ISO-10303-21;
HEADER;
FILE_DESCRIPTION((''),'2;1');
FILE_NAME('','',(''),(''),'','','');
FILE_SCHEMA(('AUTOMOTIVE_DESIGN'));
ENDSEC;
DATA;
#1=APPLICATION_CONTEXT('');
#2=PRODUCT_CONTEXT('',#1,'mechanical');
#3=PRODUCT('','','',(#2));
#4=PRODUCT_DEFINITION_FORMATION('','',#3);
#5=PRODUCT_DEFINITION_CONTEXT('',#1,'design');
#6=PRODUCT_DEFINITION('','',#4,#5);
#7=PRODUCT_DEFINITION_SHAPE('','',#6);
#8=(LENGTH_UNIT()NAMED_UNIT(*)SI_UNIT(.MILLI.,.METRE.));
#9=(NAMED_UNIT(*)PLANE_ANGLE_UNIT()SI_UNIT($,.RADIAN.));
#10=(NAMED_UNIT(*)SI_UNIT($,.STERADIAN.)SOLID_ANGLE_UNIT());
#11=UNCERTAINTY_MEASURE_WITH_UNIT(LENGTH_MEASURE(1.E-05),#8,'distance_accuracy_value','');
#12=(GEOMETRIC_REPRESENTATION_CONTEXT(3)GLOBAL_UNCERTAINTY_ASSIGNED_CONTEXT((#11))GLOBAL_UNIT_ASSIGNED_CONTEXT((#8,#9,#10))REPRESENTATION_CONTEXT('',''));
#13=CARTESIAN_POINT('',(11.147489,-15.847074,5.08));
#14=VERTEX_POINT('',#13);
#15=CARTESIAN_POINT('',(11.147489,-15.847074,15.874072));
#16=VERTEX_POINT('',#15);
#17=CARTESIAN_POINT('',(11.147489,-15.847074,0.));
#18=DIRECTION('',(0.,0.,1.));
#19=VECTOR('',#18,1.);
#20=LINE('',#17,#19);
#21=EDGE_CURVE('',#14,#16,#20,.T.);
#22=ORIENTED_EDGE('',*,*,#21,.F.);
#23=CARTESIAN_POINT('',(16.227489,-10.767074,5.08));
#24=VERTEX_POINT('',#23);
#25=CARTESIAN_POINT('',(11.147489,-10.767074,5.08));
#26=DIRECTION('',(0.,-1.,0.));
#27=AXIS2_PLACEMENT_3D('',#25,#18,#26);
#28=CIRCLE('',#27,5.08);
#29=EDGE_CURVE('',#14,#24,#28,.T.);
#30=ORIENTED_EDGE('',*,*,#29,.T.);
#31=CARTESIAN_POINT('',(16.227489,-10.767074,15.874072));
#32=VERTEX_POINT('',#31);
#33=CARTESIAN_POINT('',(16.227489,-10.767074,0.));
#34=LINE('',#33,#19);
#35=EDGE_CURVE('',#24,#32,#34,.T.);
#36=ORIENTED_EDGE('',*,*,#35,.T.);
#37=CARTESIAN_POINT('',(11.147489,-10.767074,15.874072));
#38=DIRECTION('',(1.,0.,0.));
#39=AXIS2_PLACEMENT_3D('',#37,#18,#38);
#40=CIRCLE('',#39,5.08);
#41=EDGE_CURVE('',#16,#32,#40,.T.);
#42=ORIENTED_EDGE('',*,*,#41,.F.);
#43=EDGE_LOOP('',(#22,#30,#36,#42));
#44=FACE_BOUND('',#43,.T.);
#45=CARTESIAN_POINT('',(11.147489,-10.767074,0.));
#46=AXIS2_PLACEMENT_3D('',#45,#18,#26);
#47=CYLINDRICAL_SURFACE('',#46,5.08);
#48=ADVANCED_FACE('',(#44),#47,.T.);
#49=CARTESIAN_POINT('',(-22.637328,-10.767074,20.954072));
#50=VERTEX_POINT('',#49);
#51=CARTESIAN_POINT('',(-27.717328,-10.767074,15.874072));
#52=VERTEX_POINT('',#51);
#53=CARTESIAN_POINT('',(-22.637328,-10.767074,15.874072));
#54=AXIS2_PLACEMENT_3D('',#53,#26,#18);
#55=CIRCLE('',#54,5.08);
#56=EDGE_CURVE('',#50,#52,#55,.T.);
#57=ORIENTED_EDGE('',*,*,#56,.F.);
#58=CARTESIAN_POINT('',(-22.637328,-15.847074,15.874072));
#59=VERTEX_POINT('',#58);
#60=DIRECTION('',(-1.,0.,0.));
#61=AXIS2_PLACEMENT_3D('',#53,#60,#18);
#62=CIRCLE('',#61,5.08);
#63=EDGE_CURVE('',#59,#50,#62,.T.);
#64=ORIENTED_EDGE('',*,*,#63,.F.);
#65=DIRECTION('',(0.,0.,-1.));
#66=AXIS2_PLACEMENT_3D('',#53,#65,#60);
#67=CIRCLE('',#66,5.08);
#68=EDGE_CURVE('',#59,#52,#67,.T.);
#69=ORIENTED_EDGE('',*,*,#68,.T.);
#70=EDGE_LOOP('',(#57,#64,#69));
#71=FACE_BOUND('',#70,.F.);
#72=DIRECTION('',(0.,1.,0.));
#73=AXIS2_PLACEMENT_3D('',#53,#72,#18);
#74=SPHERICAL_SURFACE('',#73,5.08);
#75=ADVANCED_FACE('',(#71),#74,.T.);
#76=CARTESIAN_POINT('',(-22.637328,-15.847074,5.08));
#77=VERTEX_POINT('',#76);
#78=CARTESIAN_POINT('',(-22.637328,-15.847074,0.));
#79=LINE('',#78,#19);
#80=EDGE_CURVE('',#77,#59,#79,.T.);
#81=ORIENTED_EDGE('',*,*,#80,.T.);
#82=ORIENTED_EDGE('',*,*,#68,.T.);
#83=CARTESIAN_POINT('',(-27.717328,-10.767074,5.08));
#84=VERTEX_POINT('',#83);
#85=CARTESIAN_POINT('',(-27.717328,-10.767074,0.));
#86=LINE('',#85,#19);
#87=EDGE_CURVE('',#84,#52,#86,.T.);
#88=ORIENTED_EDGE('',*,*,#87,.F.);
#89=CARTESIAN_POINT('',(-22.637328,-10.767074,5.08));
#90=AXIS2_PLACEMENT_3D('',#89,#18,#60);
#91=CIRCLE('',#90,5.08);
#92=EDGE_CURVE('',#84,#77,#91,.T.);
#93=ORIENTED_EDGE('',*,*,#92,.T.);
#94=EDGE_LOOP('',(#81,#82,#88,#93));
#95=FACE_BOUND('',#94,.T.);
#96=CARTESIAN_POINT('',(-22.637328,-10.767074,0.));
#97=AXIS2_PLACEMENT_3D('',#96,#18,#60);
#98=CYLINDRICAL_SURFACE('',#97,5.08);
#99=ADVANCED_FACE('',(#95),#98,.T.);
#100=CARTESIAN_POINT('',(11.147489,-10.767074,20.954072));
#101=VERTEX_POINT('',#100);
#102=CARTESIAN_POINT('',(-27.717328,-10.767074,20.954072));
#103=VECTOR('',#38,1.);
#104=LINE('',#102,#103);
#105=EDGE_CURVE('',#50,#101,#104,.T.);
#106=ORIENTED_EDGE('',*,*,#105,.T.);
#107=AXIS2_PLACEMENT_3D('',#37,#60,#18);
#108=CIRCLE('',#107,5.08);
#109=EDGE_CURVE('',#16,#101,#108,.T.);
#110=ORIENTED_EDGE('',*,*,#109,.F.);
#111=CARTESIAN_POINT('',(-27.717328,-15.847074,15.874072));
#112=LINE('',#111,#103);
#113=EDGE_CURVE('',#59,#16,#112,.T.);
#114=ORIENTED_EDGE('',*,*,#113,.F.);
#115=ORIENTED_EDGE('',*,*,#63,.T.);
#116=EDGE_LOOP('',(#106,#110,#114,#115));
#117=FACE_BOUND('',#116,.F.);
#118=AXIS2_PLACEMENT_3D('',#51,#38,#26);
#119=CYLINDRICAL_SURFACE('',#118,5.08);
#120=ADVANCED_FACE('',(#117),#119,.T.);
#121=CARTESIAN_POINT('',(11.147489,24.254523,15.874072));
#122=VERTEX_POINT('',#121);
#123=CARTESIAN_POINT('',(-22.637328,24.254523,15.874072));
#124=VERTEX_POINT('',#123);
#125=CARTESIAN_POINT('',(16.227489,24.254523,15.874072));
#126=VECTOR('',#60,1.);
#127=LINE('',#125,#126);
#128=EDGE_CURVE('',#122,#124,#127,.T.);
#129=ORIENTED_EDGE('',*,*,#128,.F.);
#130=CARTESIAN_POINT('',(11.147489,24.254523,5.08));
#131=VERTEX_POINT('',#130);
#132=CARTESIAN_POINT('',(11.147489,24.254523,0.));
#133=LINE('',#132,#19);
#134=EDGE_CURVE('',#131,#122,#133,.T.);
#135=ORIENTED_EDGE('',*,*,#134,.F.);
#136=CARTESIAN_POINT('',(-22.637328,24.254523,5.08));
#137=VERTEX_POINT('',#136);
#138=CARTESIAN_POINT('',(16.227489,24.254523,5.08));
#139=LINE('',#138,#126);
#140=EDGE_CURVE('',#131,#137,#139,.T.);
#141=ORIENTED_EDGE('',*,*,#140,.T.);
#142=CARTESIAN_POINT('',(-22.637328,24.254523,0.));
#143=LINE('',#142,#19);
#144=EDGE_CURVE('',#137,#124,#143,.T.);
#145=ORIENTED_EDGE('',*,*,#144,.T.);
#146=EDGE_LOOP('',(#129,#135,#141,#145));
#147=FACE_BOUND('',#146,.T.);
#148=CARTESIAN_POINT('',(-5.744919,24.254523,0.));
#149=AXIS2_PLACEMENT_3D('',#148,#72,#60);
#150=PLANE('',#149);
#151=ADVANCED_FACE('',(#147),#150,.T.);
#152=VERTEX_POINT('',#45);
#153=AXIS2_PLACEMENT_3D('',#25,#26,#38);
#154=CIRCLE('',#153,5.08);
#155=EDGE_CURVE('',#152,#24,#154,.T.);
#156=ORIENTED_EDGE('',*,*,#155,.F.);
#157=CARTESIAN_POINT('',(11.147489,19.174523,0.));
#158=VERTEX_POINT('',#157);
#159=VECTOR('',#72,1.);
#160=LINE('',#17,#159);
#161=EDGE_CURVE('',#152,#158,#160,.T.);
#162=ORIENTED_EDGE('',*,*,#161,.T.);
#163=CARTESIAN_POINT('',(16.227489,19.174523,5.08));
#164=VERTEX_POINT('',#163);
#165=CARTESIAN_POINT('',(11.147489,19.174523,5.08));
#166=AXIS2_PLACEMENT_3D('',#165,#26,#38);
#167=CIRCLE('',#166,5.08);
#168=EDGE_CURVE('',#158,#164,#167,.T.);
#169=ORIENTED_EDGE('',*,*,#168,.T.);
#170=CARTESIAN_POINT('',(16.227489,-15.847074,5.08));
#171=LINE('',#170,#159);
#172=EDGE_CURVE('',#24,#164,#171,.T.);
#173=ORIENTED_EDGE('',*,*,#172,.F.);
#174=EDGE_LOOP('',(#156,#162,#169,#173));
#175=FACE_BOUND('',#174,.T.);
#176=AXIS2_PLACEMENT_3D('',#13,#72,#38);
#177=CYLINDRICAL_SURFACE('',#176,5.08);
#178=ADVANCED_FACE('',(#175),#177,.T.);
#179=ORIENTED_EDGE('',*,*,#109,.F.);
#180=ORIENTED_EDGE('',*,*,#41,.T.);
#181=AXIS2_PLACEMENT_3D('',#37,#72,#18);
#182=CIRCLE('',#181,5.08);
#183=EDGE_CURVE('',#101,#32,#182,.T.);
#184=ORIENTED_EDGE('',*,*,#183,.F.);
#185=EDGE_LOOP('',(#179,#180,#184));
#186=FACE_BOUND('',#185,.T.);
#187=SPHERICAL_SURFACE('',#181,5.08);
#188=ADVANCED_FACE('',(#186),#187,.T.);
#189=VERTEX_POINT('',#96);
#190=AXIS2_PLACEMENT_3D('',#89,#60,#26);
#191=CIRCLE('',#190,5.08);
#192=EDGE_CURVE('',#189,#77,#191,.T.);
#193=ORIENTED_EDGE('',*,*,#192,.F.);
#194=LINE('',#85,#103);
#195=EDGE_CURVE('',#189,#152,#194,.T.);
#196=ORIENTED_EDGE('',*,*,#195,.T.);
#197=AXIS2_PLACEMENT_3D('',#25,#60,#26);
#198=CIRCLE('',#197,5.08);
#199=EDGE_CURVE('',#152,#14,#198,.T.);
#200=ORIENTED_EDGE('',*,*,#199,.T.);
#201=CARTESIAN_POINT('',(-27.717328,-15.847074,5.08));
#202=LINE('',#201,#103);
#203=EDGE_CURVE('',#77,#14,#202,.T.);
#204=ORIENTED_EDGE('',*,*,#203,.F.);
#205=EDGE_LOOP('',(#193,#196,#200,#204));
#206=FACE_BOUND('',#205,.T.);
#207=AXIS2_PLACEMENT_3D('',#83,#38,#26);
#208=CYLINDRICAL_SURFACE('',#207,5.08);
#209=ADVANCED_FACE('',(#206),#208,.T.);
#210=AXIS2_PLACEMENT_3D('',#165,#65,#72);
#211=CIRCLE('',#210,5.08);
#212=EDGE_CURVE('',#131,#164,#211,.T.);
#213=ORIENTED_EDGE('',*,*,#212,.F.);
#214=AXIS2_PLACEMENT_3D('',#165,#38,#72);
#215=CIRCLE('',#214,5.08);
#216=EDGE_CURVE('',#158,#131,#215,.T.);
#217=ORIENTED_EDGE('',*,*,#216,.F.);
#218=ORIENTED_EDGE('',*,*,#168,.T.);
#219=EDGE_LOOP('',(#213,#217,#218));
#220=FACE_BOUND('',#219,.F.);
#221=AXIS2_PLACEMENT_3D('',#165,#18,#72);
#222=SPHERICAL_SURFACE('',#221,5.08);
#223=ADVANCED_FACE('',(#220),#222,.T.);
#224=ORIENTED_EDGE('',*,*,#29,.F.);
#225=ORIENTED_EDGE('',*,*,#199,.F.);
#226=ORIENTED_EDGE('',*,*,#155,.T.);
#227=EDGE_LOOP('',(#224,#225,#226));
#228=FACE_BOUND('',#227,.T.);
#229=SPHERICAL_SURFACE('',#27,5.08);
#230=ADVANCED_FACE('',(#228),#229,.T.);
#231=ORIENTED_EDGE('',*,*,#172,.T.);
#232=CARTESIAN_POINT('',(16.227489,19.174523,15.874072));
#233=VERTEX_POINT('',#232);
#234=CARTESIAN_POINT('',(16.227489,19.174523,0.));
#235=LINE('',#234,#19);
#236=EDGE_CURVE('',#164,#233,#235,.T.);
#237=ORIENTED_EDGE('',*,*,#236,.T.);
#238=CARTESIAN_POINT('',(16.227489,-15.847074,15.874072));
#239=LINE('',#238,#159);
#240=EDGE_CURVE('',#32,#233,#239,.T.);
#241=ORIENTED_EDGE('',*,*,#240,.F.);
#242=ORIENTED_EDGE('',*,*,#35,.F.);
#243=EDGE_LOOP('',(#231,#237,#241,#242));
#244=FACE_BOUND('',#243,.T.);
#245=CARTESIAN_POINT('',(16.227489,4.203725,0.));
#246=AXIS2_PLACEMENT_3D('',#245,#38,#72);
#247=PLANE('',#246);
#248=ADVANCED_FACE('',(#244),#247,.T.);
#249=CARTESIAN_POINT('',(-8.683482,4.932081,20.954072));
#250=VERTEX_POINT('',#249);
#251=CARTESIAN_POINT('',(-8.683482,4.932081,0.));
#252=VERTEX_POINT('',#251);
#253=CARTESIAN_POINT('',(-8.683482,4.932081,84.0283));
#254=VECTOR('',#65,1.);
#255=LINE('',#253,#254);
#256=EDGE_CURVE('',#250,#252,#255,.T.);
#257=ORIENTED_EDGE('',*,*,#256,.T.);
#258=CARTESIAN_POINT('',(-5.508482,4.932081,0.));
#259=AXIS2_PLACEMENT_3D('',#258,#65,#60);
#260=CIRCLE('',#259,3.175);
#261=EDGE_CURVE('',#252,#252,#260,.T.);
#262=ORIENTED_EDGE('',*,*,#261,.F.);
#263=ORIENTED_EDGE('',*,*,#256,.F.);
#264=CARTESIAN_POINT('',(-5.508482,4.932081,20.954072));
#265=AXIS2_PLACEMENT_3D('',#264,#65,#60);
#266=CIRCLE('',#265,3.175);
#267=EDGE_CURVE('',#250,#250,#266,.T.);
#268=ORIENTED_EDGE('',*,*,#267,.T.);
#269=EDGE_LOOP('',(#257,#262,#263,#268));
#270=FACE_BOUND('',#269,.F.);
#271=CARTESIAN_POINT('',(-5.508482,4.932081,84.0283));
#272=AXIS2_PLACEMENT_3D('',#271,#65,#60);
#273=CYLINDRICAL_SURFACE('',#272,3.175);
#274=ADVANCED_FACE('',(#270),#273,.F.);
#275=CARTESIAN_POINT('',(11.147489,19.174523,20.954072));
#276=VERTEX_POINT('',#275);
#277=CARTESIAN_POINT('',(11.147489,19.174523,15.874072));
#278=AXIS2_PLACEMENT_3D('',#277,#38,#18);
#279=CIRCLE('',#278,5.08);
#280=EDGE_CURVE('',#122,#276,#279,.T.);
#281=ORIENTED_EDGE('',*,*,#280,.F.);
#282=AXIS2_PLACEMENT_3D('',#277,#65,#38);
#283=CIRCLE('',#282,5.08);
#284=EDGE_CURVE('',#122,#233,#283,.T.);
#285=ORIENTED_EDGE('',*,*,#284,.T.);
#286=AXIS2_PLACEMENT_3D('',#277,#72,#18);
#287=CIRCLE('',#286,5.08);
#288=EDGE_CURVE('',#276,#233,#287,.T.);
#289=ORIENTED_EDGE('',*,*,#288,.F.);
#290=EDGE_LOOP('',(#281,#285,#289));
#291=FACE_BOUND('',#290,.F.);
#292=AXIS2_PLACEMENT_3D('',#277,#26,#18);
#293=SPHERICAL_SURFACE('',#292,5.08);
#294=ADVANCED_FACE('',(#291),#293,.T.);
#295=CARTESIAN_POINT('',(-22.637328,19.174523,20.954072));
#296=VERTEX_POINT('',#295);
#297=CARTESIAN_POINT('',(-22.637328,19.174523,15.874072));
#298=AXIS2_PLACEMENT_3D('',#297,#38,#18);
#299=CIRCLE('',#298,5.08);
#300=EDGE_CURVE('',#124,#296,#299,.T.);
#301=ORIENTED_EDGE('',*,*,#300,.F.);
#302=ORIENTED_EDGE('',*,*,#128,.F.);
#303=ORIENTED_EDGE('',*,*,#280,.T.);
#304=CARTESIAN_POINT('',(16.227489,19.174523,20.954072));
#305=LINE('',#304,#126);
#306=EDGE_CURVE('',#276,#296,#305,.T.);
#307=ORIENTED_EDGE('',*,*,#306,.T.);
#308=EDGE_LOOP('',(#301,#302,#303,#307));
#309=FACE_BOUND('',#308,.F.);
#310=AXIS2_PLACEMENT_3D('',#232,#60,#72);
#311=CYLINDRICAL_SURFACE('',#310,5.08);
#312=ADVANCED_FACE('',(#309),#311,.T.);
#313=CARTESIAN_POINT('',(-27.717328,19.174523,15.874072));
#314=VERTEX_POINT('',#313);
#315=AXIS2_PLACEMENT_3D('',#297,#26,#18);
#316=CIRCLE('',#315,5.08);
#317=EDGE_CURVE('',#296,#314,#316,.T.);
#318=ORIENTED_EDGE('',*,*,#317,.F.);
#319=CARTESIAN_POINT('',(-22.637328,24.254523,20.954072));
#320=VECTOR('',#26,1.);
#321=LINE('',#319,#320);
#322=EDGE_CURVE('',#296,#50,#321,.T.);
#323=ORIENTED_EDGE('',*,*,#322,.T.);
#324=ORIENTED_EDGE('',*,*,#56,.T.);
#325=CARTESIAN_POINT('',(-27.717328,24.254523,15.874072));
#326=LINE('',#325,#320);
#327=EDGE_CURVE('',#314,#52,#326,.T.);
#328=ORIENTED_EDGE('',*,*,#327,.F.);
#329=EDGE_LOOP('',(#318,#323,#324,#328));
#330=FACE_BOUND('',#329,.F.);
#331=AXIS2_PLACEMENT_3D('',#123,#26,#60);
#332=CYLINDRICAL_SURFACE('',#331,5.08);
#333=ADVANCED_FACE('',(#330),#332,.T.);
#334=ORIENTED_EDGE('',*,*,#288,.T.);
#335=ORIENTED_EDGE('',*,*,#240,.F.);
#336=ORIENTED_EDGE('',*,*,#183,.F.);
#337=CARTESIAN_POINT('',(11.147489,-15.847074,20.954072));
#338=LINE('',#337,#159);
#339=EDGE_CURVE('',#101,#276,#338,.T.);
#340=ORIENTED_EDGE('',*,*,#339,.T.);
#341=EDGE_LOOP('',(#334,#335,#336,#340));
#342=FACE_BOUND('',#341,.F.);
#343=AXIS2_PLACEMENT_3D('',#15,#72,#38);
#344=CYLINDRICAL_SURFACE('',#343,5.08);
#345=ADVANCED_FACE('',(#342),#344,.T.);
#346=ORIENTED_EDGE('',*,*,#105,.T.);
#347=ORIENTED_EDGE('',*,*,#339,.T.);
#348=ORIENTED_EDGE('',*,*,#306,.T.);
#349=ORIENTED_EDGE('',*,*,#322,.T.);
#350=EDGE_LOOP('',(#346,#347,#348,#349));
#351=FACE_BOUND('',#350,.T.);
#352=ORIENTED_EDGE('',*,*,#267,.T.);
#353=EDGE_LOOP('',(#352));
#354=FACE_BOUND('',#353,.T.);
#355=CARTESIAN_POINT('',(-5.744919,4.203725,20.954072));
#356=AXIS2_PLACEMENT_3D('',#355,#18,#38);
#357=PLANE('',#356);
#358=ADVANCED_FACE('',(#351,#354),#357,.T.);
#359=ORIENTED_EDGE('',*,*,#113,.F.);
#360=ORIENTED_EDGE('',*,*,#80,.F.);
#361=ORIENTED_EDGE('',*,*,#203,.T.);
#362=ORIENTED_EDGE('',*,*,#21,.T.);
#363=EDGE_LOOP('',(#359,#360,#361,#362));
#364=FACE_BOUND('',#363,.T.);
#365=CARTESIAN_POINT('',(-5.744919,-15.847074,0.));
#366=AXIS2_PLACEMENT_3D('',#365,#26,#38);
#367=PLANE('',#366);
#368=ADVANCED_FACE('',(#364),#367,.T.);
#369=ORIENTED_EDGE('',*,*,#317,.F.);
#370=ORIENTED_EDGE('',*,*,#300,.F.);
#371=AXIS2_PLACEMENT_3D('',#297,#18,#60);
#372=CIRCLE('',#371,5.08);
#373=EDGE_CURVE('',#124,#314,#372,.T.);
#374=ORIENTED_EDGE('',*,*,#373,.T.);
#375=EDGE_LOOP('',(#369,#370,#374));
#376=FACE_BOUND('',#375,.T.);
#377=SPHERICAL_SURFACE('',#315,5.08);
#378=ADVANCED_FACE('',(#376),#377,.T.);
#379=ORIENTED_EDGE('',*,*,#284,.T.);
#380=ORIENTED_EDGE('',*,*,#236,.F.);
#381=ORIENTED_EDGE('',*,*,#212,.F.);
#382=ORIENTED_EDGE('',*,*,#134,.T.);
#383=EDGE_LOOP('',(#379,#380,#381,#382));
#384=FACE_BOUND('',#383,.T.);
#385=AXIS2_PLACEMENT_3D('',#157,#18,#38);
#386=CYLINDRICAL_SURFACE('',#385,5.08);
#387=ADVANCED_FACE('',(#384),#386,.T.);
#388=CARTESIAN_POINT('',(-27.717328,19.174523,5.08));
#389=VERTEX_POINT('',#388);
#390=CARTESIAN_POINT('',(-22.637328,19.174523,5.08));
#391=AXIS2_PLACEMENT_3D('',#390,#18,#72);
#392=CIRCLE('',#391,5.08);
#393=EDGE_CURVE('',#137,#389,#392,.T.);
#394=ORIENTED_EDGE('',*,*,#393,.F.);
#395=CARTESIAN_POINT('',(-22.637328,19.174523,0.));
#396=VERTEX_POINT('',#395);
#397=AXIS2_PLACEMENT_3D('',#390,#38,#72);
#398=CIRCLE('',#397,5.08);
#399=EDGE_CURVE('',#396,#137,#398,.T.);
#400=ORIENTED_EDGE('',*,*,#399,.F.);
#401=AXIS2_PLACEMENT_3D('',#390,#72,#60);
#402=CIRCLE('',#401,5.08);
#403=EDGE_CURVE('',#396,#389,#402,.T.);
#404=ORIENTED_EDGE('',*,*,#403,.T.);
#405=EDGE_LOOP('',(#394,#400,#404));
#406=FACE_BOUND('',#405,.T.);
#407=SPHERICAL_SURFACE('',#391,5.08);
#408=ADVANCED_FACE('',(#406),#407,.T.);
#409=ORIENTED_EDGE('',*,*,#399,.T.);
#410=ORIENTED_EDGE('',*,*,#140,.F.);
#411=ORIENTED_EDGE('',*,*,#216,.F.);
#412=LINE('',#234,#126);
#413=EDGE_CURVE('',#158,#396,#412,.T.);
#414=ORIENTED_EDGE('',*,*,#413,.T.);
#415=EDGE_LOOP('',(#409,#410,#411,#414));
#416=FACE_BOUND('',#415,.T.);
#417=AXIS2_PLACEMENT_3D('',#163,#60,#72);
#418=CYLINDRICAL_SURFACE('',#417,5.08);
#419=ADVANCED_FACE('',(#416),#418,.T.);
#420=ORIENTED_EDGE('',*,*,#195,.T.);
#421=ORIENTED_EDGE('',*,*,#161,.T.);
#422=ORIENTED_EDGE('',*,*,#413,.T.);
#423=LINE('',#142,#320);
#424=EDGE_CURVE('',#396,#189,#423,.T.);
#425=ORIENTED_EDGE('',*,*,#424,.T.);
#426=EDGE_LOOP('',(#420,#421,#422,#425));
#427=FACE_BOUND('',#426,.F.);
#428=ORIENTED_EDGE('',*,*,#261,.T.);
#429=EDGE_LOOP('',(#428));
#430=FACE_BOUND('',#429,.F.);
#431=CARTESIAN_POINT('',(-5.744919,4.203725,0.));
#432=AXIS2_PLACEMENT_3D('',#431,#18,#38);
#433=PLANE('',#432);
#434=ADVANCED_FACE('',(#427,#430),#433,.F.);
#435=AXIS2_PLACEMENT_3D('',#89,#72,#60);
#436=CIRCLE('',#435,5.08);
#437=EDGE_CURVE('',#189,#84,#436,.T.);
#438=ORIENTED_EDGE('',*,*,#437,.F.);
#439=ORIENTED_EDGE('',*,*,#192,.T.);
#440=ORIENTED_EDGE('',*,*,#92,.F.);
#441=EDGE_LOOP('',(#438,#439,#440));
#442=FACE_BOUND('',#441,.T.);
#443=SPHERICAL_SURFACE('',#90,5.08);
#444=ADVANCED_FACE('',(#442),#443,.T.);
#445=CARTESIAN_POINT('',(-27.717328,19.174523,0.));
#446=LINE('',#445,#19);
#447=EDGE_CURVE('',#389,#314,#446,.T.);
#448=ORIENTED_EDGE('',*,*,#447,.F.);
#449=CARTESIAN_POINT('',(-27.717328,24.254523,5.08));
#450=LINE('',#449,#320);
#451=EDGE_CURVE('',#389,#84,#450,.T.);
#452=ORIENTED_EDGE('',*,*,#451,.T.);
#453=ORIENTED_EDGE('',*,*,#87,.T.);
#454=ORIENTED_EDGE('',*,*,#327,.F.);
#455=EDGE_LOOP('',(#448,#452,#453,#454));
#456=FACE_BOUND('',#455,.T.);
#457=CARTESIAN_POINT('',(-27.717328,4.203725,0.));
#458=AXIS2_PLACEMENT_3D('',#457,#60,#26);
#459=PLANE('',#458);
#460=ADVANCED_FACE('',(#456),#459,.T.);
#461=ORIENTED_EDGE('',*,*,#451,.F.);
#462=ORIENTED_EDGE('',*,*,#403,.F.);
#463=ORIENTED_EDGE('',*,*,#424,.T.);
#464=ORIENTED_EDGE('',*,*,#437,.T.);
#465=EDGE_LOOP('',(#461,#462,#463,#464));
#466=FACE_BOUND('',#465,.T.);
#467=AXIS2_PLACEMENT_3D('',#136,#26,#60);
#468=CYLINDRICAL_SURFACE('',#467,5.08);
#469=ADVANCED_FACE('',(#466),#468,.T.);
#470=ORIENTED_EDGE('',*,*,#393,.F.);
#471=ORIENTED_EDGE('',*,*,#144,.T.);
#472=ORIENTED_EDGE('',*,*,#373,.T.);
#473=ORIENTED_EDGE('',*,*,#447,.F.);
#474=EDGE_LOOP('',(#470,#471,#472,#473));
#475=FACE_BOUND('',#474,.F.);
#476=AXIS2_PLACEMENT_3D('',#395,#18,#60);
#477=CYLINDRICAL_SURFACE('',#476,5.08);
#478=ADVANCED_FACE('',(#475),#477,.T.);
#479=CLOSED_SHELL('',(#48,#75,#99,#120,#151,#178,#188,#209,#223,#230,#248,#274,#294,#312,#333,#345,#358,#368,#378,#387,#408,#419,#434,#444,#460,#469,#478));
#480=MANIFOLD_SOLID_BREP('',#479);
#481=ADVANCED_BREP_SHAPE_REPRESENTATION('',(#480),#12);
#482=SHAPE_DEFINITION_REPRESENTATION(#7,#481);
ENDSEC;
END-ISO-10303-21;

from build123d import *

# Parameters (mm, degrees)
F0_W = 43.9448170364
F0_H = 40.1015970856
F3_R = 5.08
F5_D = 6.35


with BuildPart() as f2:
    # F2: sweep along a path in F1
    with BuildLine(Plane.XZ) as f2_path:
        Line((0, 0), (0, 20.9540724754))
    # F0 (on Top) → F2 (sweep)
    with BuildSketch(Plane.XY):
        with Locations((-5.7449191809, 4.2037246749)):
            Rectangle(F0_W, F0_H)
    sweep(path=f2_path.line)

    # F3
    f3_edges = [f2.edges().sort_by_distance(p)[0] for p in [
        (-27.717328, 4.203725, 20.954072),
        (16.227489, 4.203725, 20.954072),
        (-5.744919, 24.254523, 20.954072),
        (-5.744919, -15.847074, 20.954072),
        (16.227489, -15.847074, 10.477036),
        (-27.717328, -15.847074, 10.477036),
        (-27.717328, 24.254523, 10.477036),
        (16.227489, 24.254523, 10.477036),
        (-5.744919, 24.254523, 0),
        (-27.717328, 4.203725, 0),
        (-5.744919, -15.847074, 0),
        (16.227489, 4.203725, 0),
    ]]
    fillet(f3_edges, radius=F3_R)

    # F5 (through all)
    with Locations(Plane.XY.offset(20.9540724754)):
        with Locations((-5.5084819905, 4.9320813268)):
            Hole(F5_D / 2)


solid = f2.part
